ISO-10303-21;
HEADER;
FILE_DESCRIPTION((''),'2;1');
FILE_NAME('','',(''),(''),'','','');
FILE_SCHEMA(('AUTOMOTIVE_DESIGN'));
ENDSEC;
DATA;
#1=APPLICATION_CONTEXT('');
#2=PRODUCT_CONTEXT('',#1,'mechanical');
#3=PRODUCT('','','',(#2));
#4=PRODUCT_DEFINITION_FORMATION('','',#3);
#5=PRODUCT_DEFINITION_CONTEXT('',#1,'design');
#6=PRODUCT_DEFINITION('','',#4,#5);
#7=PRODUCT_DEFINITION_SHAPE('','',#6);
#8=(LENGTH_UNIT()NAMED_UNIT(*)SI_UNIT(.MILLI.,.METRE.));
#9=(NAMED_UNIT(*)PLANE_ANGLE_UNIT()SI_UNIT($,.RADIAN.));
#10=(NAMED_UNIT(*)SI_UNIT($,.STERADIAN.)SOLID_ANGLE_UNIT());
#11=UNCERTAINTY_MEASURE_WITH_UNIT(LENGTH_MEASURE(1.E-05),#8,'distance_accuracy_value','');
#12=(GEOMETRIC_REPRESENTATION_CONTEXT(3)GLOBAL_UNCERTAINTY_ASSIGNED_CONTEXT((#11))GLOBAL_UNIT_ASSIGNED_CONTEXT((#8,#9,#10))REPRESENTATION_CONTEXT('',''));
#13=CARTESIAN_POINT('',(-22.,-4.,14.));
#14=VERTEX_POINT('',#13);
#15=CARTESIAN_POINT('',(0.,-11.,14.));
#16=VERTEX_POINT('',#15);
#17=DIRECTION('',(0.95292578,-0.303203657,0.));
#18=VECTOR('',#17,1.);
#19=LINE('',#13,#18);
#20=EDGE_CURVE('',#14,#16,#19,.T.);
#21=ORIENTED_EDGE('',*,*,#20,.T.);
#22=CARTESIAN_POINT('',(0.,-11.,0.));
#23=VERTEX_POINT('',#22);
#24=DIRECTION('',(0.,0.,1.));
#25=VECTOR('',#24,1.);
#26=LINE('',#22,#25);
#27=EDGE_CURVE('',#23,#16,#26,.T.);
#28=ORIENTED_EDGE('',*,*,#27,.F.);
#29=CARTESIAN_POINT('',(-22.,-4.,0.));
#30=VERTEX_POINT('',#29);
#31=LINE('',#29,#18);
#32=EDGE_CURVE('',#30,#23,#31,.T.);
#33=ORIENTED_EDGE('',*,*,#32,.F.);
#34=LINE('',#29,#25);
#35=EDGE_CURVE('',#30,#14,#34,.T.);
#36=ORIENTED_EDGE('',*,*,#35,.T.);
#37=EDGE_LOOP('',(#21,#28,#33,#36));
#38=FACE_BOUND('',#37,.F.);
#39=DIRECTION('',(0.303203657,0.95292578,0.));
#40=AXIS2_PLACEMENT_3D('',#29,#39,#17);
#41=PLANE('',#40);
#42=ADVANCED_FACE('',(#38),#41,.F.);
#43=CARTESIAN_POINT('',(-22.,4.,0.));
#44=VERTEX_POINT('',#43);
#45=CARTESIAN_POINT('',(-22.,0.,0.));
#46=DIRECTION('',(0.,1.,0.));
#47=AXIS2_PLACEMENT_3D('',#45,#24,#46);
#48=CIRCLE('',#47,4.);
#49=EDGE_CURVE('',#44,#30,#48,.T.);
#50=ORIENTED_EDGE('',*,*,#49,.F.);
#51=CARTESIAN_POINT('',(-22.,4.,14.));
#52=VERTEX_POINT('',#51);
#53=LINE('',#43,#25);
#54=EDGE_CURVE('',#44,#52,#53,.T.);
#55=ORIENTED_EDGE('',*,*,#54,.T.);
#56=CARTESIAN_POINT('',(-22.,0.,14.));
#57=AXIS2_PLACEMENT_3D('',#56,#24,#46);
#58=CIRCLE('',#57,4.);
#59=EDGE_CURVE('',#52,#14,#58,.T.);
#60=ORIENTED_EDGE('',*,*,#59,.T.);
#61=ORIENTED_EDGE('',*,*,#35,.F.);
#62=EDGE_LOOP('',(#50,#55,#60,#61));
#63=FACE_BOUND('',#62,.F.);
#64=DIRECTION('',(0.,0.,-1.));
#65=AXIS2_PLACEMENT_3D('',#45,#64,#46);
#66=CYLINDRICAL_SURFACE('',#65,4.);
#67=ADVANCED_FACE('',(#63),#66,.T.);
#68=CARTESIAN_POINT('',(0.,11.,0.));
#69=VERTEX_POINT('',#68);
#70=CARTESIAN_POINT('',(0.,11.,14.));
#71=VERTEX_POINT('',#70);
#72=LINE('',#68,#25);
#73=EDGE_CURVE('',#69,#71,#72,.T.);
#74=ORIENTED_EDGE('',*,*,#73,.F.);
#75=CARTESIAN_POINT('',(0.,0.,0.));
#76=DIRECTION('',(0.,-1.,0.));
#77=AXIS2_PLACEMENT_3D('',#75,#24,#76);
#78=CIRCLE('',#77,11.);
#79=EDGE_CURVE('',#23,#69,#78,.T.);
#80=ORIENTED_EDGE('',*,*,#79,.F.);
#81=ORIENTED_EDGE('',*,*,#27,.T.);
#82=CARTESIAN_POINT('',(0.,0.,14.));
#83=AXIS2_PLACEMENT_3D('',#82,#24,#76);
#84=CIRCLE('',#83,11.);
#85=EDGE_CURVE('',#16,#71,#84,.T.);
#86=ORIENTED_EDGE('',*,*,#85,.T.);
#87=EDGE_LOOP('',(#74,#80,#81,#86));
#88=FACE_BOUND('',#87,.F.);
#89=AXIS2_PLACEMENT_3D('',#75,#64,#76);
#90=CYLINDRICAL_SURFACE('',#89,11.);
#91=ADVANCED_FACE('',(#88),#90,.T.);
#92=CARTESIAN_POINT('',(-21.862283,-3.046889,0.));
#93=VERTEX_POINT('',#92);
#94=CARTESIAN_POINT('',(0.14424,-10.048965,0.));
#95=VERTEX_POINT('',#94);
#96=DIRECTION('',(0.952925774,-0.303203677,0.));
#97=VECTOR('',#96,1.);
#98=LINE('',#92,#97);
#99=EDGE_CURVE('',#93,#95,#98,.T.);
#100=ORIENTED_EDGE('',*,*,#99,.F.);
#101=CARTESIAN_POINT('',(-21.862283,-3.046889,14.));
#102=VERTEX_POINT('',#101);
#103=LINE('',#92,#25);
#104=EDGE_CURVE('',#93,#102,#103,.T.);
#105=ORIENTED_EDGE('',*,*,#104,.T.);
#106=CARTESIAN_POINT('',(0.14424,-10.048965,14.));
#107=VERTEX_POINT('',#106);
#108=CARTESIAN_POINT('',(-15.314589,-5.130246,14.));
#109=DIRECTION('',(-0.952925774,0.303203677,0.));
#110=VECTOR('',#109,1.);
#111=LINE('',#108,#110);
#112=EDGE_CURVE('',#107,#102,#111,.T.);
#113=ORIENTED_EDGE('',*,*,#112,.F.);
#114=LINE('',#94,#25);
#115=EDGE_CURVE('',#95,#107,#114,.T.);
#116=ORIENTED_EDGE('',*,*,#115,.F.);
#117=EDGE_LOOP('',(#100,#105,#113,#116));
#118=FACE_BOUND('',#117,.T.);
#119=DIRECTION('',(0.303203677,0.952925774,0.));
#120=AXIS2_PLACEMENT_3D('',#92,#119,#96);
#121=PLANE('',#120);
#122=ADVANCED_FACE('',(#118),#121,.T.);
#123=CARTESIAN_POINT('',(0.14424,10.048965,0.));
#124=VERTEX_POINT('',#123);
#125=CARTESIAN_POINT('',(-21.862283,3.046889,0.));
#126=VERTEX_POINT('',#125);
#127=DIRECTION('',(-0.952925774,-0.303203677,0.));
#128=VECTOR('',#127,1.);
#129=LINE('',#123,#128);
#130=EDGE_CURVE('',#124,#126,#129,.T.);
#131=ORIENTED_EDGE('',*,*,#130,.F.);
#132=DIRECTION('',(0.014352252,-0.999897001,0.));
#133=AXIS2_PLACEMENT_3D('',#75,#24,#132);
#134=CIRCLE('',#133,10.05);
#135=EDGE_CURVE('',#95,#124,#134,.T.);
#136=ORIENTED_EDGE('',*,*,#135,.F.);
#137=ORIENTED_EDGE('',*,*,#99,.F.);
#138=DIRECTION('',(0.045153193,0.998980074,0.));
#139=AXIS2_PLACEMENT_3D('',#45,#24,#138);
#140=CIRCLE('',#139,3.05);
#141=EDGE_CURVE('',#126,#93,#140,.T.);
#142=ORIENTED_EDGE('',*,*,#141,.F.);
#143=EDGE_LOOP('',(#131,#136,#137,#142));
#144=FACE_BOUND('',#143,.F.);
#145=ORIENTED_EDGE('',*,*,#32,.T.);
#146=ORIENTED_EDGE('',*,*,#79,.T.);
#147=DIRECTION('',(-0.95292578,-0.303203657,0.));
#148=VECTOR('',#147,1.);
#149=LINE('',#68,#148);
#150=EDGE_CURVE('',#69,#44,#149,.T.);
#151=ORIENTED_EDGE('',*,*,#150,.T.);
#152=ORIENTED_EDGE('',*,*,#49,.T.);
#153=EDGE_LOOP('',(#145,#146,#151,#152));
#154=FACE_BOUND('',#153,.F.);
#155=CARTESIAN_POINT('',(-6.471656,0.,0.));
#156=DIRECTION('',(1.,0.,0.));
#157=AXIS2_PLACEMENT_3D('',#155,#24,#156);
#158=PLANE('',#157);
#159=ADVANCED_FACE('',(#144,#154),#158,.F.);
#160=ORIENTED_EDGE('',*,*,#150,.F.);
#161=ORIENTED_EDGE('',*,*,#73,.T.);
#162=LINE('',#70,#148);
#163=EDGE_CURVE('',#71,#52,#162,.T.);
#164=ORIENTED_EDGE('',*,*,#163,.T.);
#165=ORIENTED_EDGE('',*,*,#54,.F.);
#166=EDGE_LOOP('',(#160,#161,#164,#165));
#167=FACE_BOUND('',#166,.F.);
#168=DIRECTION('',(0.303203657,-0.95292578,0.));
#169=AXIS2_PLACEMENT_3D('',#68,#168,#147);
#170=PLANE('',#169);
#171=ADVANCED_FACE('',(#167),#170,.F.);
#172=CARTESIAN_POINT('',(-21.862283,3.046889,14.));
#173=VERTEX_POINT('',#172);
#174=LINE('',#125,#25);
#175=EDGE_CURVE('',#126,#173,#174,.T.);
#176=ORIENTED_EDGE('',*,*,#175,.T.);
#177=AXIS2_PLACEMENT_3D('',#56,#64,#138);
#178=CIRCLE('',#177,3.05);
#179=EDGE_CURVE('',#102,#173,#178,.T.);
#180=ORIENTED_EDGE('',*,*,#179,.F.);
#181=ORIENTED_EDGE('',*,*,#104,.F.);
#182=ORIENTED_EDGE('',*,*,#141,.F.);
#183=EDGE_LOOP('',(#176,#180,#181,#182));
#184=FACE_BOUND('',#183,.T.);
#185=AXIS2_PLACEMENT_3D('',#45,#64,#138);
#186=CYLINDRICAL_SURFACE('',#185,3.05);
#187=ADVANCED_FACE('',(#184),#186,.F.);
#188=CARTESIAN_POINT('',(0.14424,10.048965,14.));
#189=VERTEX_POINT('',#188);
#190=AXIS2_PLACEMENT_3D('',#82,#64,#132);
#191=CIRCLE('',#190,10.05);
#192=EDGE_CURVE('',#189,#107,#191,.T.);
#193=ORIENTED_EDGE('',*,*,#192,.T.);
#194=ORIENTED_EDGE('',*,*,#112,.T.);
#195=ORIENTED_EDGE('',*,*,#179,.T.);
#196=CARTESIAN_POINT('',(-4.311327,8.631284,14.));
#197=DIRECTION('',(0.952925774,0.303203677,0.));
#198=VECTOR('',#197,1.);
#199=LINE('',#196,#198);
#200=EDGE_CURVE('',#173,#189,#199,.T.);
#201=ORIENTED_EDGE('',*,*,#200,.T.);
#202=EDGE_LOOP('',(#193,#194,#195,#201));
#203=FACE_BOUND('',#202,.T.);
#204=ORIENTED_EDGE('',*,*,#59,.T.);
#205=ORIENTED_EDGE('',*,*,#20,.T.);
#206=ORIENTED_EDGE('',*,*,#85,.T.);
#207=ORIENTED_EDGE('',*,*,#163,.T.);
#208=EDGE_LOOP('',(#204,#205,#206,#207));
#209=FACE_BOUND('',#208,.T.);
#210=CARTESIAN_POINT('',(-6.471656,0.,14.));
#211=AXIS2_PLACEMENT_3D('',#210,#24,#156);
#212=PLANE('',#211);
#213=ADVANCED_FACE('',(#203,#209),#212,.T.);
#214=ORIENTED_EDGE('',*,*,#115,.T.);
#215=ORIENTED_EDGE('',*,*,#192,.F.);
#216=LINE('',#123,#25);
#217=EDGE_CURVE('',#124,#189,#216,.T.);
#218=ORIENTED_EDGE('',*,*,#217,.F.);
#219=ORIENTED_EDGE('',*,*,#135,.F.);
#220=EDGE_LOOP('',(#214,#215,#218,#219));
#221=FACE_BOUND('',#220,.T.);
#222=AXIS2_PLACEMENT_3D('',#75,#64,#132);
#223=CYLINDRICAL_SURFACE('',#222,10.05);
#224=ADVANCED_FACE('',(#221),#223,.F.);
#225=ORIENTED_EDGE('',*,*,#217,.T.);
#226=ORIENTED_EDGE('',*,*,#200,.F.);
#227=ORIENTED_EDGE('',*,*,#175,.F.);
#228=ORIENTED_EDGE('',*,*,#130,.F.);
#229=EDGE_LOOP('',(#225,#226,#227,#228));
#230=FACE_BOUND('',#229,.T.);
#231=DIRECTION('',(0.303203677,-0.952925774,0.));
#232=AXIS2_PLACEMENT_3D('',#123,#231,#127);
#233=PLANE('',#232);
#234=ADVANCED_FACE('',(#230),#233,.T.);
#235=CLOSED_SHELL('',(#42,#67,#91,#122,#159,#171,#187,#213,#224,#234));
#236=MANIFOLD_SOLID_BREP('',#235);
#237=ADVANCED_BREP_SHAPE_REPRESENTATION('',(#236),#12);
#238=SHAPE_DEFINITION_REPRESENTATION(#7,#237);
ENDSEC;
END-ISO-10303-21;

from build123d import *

# Parameters (mm, degrees)
F2_DEPTH = 14
F3_DEPTH = 14.001


with BuildPart() as f2:
    # F0 (on Top) → F2 (new body)
    with BuildSketch(Plane.XY):
        with BuildLine():
            Line((0, 11), (-22, 4))
            ThreePointArc((-22, 4), (-26, 0), (-22, -4))
            Line((-22, -4), (0, -11))
            ThreePointArc((0, -11), (11, 0), (0, 11))
        make_face()
    extrude(amount=F2_DEPTH)

    # F1 (on face) → F3 (cut, through all)
    with BuildSketch(Plane.XY):
        with BuildLine():
            ThreePointArc((-21.862283, 3.046889), (-25.05, 0), (-21.862283, -3.046889))
            Line((-21.862283, -3.046889), (0.14424, -10.048965))
            ThreePointArc((0.14424, -10.048965), (10.05, 0), (0.14424, 10.048965))
            Line((0.14424, 10.048965), (-21.862283, 3.046889))
        make_face()
    extrude(amount=F3_DEPTH, mode=Mode.SUBTRACT)


solid = f2.part
